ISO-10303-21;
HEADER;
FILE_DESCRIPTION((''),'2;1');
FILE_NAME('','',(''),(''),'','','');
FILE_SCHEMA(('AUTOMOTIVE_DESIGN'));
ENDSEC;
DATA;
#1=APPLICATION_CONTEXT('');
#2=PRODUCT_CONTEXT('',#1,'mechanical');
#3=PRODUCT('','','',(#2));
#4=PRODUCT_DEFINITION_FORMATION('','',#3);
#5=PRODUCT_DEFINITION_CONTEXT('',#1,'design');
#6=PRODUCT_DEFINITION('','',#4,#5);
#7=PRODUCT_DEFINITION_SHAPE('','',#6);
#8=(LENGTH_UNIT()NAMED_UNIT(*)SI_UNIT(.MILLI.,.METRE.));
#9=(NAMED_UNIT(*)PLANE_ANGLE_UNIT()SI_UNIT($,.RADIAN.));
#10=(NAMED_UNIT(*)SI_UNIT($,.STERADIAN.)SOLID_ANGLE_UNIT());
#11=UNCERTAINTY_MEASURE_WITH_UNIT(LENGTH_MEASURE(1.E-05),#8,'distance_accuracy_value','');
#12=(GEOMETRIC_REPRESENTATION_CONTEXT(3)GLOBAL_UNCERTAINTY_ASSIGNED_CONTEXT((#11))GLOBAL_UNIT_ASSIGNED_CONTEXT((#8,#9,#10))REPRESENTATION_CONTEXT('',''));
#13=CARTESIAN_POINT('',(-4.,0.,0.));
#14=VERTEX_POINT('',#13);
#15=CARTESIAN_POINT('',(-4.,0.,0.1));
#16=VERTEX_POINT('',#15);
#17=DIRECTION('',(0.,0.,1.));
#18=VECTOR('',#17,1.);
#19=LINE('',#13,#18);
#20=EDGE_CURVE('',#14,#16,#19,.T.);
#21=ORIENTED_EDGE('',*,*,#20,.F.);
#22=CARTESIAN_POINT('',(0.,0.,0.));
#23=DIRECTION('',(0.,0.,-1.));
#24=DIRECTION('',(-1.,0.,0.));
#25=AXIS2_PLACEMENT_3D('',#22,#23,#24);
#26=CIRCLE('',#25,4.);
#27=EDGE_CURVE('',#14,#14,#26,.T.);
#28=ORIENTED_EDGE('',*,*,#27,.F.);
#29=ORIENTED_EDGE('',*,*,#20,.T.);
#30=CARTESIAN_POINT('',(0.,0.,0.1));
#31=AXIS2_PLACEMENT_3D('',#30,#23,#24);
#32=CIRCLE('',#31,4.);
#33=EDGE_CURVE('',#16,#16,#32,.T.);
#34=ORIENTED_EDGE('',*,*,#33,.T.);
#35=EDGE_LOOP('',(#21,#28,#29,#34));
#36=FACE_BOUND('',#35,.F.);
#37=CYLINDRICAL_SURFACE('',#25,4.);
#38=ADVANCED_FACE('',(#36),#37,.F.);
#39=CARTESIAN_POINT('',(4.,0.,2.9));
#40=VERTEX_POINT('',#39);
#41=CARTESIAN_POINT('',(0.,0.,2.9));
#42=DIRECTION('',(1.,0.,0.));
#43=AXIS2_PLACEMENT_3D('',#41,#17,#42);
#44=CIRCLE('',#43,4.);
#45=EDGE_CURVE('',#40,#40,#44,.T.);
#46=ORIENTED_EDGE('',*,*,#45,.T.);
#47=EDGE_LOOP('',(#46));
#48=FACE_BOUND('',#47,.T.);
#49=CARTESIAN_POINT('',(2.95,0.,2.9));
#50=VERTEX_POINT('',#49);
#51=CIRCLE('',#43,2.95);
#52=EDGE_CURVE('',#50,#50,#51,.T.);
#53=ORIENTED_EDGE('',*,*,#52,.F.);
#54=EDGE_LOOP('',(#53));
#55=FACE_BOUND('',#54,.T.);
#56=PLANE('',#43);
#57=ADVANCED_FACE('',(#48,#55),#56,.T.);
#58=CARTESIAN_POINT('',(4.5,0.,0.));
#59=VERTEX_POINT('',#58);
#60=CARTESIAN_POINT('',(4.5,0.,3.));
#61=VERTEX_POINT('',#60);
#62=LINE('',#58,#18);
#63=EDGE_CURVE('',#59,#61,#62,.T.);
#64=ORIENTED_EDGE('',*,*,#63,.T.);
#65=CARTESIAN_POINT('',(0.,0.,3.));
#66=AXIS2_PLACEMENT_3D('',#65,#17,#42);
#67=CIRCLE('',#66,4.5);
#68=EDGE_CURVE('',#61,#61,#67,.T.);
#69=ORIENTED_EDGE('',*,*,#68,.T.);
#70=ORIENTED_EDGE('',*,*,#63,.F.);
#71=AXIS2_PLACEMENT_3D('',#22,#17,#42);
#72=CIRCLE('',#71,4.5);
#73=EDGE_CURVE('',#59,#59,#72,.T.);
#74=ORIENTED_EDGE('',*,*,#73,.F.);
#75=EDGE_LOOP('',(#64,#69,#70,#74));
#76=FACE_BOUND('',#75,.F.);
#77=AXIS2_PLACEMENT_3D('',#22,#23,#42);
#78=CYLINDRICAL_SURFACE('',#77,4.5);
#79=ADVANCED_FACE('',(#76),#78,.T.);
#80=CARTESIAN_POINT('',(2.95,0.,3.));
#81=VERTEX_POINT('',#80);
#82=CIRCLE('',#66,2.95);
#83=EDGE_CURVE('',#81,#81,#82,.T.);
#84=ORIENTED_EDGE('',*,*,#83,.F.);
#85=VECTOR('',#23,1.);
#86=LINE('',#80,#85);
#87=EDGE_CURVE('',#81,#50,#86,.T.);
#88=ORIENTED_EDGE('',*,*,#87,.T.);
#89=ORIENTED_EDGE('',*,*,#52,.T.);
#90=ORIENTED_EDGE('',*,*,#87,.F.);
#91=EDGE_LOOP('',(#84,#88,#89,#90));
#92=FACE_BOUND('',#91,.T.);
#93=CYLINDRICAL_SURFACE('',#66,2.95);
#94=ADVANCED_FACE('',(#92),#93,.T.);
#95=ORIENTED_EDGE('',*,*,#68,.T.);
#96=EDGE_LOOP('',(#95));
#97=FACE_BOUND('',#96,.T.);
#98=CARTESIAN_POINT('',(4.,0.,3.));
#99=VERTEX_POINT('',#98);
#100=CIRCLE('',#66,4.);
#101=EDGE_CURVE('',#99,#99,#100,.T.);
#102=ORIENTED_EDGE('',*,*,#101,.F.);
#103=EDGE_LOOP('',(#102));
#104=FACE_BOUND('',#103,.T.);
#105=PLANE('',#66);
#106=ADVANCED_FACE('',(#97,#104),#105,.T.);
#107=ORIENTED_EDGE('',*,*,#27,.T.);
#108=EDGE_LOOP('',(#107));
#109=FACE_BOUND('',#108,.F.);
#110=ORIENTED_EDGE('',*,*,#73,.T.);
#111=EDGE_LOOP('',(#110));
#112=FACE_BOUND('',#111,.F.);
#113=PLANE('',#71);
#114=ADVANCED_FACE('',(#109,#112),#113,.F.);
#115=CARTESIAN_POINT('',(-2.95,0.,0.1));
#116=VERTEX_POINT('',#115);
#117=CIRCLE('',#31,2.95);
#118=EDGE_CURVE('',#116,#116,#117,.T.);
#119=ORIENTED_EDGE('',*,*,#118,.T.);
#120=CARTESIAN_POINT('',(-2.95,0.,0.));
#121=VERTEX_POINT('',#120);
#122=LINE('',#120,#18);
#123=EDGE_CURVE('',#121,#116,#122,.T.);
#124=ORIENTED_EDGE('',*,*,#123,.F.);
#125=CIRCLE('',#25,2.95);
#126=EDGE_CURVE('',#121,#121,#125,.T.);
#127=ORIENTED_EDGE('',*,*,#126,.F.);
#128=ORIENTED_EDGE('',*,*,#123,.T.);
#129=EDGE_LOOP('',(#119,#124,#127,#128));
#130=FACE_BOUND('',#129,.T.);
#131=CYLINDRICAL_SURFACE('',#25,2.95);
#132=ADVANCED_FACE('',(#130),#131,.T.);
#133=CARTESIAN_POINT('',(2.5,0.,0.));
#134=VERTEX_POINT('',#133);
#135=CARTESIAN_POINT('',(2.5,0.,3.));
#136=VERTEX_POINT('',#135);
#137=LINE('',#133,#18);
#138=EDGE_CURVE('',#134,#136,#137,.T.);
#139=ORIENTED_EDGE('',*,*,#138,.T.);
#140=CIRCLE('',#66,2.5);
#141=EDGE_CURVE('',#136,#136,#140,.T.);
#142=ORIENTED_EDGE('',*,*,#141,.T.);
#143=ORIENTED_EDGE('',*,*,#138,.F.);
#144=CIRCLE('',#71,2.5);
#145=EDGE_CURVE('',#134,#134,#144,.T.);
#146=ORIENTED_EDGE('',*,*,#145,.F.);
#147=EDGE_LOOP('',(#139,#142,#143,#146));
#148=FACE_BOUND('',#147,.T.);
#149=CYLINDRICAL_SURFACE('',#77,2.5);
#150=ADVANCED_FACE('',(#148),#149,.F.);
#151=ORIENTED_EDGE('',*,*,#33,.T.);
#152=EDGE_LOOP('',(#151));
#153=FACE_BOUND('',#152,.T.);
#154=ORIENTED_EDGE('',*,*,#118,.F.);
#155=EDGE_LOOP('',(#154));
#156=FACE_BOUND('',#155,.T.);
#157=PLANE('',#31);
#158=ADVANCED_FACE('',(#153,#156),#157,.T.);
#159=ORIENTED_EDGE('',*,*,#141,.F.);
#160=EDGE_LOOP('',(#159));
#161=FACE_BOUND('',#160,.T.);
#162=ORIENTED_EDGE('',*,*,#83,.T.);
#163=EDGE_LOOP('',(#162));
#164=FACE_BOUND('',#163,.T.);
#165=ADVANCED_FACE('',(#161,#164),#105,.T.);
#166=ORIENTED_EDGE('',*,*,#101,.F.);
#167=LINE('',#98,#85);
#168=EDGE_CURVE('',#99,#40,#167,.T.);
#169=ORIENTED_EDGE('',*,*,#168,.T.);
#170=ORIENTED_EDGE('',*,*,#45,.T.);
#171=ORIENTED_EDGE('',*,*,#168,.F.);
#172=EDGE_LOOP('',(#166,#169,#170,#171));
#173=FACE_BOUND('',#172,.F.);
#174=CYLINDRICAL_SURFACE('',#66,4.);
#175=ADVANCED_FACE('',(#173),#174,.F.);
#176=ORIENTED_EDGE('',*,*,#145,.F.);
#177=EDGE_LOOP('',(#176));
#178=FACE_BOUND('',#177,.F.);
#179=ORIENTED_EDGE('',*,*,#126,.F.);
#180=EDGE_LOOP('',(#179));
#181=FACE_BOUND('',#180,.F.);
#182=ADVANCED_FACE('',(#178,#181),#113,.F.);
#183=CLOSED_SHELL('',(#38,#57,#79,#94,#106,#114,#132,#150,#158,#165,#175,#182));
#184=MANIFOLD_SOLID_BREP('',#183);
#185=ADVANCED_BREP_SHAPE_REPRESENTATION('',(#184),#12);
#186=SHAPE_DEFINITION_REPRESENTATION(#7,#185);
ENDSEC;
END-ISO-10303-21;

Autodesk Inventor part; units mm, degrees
ref_plane "YZ Plane" through (0, 0, 0) normal (1, 0, 0) x (0, 1, 0)
ref_plane "XZ Plane" through (0, 0, 0) normal (0, 1, 0) x (-1, 0, 0)
ref_plane "XY Plane" through (0, 0, 0) normal (0, 0, 1) x (1, 0, 0)
sketch "Sketch1" plane through (0, 0, 0) normal (0, 0, 1) x (1, 0, 0)
  circle A0 centre (0, 0) radius 2.5
  circle A1 centre (0, 0) radius 4.5
  dimension "d0" = 9
  dimension "d1" = 5
extrude "Extrusion1" add sketch "Sketch1" along normal blind 3
sketch "Sketch2" plane through (0, 0, 3) normal (0, 0, 1) x (1, 0, 0)
  circle A0 centre (0, 0) radius 2.5 projected
  circle A1 centre (0, 0) radius 4.5 projected
  circle A2 centre (0, 0) radius 2.95
  circle A3 centre (0, 0) radius 4
  dimension "d4" = 5.9
  dimension "d5" = 0.5
extrude "Extrusion2" cut sketch "Sketch2" against normal blind 0.1 contours A3
sketch "Sketch3" plane through (0, 0, 0) normal (0, 0, -1) x (-1, 0, 0)
  circle A0 centre (0, 0) radius 4 projected
  circle A1 centre (0, 0) radius 2.95 projected
extrude "Extrusion3" cut sketch "Sketch3" against normal blind 0.1
properties part number "9x5x3mm bearing"
